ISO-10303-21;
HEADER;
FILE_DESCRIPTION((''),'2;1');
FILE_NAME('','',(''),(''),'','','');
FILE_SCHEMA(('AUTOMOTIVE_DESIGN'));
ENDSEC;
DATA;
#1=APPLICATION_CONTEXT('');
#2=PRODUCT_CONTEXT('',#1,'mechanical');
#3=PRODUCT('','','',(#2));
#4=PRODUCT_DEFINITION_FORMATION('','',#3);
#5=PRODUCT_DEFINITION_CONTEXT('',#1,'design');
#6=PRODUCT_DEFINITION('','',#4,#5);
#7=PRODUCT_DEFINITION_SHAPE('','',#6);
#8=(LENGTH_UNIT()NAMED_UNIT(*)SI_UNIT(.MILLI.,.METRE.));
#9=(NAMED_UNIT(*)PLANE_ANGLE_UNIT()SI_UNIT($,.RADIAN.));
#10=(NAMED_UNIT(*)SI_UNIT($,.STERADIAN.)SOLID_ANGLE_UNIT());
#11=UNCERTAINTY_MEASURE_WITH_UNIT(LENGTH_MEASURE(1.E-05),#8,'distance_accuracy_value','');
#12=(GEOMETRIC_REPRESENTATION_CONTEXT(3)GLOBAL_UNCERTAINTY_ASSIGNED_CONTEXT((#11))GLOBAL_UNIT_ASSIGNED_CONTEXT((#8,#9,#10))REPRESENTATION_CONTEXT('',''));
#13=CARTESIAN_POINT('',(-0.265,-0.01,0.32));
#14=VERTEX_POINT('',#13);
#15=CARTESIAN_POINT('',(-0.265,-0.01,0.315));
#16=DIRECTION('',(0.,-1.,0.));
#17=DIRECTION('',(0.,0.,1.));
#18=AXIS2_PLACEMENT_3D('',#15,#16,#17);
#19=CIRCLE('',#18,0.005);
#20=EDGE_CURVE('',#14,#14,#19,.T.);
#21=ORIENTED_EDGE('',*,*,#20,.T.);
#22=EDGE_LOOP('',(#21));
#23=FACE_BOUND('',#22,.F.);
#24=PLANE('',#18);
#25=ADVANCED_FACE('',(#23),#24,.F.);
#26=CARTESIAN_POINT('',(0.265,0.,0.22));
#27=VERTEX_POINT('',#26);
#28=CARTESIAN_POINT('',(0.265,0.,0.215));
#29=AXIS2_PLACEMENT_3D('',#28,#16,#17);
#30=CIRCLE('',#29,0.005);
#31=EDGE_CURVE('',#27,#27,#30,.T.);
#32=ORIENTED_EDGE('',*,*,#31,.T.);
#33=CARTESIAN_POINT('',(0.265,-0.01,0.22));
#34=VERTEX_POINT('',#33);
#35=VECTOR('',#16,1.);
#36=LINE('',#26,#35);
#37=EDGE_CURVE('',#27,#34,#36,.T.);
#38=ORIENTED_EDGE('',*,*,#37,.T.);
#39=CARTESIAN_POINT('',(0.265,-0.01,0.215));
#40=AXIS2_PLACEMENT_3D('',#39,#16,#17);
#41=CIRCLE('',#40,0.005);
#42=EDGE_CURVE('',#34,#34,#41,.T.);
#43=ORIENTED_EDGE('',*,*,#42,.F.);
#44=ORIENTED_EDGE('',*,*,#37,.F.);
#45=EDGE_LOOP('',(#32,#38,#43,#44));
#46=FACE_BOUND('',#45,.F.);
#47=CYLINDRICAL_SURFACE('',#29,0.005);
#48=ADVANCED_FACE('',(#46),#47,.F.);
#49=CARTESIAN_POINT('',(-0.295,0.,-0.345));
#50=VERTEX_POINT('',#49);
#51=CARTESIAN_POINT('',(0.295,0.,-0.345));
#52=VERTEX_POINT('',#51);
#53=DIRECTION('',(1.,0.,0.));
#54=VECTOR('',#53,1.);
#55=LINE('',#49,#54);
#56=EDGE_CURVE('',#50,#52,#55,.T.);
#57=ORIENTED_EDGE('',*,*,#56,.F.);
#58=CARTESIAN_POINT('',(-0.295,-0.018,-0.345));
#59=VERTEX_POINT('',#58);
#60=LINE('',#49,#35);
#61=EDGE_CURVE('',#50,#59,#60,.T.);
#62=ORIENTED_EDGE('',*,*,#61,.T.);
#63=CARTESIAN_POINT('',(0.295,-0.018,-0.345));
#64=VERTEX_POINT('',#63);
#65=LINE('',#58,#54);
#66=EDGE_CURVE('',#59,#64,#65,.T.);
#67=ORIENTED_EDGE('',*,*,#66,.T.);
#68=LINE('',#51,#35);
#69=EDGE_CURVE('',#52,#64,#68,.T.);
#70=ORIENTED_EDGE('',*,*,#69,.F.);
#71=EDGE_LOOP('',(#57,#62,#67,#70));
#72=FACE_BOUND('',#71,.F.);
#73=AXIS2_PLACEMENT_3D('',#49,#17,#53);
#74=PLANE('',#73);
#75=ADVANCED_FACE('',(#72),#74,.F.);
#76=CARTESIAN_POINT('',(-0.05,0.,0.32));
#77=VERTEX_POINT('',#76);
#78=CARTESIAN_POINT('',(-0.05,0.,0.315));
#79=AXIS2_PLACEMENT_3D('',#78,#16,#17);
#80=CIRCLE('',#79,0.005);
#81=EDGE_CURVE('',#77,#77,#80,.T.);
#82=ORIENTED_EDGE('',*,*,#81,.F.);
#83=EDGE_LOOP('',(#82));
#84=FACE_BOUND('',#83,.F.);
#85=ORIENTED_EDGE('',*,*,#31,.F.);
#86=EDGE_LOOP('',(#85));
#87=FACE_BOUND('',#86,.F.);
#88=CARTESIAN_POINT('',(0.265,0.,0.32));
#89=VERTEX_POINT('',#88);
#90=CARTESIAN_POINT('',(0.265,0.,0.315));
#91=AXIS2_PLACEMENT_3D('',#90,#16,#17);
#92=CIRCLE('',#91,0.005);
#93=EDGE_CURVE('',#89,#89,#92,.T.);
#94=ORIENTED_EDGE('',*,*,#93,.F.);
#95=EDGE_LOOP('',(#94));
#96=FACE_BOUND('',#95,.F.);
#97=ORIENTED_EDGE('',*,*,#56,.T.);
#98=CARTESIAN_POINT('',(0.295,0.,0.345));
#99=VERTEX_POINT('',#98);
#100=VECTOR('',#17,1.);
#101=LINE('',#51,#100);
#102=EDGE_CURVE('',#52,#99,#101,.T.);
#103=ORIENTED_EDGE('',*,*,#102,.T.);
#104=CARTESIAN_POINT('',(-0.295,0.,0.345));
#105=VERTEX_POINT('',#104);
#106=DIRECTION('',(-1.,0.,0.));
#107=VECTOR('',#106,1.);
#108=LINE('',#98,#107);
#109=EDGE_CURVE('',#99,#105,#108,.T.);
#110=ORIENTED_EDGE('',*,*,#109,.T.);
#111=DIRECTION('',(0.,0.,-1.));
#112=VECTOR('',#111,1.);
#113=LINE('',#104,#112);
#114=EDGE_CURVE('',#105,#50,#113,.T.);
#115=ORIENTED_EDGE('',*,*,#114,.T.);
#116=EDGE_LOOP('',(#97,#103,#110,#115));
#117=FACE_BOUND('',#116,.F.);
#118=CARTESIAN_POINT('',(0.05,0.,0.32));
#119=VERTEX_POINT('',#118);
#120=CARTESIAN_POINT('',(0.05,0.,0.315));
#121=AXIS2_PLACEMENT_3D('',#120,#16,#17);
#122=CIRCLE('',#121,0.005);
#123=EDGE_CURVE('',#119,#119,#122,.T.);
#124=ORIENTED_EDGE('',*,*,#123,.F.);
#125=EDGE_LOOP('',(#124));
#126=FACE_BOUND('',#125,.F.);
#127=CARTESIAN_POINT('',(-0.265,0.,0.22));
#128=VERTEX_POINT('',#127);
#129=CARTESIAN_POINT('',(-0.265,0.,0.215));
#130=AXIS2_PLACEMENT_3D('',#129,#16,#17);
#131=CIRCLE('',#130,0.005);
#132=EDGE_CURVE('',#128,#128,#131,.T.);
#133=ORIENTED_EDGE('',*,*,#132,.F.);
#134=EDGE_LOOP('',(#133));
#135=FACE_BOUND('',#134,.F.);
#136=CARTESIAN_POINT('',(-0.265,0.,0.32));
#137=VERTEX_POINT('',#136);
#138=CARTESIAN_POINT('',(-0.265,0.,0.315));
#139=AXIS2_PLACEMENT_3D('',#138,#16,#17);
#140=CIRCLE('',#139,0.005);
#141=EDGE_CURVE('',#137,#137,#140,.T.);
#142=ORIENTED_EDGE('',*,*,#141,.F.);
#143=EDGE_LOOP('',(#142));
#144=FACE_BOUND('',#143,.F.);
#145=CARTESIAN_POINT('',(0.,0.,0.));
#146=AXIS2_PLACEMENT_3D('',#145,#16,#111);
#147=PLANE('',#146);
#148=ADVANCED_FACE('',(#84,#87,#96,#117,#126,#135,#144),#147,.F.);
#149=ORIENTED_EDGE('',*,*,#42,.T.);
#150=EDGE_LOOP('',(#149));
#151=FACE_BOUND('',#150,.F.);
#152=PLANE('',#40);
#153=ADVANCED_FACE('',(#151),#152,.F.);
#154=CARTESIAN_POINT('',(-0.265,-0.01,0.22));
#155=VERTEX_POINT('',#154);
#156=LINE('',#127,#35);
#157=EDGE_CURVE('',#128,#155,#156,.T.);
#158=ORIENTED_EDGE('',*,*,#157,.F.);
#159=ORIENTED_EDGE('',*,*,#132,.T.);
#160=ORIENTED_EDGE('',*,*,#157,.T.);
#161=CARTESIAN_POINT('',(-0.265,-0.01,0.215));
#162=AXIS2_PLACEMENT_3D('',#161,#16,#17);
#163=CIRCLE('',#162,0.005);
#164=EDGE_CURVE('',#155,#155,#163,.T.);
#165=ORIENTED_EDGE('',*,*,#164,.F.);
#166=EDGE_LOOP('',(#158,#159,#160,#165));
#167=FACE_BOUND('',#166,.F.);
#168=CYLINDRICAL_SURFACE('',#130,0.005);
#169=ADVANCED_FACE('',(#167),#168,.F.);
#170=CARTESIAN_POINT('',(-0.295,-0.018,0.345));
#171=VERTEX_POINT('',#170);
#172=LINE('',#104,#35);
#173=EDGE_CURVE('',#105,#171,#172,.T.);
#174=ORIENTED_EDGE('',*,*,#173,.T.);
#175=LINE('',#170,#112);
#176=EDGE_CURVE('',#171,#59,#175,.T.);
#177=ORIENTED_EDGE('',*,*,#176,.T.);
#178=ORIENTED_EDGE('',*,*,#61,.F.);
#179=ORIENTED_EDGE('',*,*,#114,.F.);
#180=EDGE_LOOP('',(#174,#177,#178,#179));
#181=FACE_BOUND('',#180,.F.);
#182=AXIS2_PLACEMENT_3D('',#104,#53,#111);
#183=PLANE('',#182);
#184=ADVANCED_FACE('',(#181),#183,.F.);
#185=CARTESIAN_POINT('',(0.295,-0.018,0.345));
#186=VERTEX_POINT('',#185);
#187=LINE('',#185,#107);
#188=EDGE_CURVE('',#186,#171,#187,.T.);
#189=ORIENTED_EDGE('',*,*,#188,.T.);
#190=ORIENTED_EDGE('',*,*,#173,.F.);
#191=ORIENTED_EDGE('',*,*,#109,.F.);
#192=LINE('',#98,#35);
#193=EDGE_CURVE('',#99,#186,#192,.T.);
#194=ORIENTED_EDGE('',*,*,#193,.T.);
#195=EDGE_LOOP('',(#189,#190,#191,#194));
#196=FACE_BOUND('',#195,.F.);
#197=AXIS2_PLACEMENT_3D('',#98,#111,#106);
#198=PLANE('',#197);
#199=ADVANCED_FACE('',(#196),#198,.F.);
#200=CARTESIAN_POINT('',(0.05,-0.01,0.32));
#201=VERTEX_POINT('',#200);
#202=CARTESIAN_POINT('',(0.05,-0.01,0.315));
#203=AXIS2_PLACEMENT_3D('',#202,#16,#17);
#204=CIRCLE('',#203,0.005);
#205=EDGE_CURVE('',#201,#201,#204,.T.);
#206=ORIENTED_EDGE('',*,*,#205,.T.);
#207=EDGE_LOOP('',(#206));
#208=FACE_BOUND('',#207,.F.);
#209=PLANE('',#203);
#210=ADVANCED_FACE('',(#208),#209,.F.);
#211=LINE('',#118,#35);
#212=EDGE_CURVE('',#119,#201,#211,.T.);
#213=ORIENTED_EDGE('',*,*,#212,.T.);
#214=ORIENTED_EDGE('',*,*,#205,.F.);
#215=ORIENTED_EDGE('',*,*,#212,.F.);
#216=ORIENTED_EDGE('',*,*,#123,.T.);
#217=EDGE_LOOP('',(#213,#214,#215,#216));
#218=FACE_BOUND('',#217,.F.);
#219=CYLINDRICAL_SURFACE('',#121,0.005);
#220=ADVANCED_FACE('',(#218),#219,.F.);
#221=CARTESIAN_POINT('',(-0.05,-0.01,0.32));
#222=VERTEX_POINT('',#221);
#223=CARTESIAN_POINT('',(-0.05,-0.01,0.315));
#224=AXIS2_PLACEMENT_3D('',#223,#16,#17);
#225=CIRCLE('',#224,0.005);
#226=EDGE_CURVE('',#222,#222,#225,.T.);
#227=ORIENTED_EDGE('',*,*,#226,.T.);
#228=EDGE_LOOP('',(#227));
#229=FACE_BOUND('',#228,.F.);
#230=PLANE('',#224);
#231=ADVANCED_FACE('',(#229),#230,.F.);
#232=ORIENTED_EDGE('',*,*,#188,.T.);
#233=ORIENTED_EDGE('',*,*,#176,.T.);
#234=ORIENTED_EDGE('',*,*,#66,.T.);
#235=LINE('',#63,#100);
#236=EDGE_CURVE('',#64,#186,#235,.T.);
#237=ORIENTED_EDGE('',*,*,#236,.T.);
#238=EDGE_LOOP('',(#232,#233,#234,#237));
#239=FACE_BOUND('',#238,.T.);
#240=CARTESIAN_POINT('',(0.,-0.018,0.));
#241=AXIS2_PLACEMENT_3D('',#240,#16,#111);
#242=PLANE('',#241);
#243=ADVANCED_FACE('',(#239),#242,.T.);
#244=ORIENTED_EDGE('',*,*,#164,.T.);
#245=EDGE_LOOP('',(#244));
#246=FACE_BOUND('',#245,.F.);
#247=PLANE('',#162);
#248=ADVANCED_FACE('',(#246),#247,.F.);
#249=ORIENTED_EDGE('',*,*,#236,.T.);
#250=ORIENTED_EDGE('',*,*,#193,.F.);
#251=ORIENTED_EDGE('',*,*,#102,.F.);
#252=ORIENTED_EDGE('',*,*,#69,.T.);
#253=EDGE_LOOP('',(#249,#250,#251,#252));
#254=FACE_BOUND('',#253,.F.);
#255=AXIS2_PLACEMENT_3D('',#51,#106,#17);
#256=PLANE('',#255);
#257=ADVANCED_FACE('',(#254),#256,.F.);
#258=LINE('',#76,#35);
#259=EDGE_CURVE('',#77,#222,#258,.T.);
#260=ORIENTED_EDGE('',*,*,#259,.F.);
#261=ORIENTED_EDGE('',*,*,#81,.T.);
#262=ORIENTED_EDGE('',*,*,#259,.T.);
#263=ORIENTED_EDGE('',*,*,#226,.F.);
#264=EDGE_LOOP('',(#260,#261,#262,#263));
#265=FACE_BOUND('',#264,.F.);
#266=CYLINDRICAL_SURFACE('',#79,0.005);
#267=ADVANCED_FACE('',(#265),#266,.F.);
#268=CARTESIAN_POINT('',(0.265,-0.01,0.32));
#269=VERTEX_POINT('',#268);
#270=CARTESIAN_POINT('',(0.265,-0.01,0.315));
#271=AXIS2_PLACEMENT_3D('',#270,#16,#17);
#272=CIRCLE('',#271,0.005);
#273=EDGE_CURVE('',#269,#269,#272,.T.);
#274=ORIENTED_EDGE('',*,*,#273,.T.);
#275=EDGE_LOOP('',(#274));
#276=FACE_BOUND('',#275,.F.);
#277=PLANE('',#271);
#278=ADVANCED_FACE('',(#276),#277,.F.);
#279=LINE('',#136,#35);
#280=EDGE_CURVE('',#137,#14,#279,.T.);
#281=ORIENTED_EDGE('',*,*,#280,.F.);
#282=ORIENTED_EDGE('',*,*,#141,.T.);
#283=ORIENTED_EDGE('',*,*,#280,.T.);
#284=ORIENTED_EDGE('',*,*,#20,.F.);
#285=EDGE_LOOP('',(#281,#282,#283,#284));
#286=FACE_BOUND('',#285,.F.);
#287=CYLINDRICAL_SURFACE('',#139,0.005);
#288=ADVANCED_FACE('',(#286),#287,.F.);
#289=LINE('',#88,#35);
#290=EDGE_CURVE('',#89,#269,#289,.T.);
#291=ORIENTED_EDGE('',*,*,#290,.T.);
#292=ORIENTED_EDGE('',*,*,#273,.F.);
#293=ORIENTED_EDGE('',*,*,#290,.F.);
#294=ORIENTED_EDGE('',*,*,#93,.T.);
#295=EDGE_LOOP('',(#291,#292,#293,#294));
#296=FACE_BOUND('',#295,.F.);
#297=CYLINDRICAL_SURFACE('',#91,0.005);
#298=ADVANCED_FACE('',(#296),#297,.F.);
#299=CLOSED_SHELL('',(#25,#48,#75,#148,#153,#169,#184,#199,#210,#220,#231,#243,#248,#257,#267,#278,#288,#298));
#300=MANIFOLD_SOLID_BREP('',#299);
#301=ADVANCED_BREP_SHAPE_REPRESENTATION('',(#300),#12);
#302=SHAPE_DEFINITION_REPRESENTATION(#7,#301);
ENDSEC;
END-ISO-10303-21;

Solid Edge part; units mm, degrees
sketch "Sketch1" plane through (0, 0, 0) normal (0, -1, 0) x (1, 0, 0)
  line L0 (-0.295, -0.345) -> (0.295, -0.345)
  line L1 (0.295, -0.345) -> (0.295, 0.345)
  line L2 (0.295, 0.345) -> (-0.295, 0.345)
  line L3 (-0.295, 0.345) -> (-0.295, -0.345)
  dimension "D1" = 0.69
  dimension "D2" = 0.59
extrude "Protrusion1" add sketch "Sketch1" along normal blind 0.018
hole "Bohrung_1" at (-0.05, 0, 0.315) direction (0, -1, 0) diameter 0.01 depth 0.01
hole "Hole1" at (0.05, 0, 0.315) direction (0, -1, 0) diameter 0.01 depth 0.01
hole "Hole2" at (0.265, 0, 0.315) direction (0, -1, 0) diameter 0.01 depth 0.01
hole "Hole3" at (0.265, 0, 0.215) direction (0, -1, 0) diameter 0.01 depth 0.01
hole "Hole4" at (-0.265, 0, 0.215) direction (0, -1, 0) diameter 0.01 depth 0.01
hole "Hole5" at (-0.265, 0, 0.315) direction (0, -1, 0) diameter 0.01 depth 0.01
